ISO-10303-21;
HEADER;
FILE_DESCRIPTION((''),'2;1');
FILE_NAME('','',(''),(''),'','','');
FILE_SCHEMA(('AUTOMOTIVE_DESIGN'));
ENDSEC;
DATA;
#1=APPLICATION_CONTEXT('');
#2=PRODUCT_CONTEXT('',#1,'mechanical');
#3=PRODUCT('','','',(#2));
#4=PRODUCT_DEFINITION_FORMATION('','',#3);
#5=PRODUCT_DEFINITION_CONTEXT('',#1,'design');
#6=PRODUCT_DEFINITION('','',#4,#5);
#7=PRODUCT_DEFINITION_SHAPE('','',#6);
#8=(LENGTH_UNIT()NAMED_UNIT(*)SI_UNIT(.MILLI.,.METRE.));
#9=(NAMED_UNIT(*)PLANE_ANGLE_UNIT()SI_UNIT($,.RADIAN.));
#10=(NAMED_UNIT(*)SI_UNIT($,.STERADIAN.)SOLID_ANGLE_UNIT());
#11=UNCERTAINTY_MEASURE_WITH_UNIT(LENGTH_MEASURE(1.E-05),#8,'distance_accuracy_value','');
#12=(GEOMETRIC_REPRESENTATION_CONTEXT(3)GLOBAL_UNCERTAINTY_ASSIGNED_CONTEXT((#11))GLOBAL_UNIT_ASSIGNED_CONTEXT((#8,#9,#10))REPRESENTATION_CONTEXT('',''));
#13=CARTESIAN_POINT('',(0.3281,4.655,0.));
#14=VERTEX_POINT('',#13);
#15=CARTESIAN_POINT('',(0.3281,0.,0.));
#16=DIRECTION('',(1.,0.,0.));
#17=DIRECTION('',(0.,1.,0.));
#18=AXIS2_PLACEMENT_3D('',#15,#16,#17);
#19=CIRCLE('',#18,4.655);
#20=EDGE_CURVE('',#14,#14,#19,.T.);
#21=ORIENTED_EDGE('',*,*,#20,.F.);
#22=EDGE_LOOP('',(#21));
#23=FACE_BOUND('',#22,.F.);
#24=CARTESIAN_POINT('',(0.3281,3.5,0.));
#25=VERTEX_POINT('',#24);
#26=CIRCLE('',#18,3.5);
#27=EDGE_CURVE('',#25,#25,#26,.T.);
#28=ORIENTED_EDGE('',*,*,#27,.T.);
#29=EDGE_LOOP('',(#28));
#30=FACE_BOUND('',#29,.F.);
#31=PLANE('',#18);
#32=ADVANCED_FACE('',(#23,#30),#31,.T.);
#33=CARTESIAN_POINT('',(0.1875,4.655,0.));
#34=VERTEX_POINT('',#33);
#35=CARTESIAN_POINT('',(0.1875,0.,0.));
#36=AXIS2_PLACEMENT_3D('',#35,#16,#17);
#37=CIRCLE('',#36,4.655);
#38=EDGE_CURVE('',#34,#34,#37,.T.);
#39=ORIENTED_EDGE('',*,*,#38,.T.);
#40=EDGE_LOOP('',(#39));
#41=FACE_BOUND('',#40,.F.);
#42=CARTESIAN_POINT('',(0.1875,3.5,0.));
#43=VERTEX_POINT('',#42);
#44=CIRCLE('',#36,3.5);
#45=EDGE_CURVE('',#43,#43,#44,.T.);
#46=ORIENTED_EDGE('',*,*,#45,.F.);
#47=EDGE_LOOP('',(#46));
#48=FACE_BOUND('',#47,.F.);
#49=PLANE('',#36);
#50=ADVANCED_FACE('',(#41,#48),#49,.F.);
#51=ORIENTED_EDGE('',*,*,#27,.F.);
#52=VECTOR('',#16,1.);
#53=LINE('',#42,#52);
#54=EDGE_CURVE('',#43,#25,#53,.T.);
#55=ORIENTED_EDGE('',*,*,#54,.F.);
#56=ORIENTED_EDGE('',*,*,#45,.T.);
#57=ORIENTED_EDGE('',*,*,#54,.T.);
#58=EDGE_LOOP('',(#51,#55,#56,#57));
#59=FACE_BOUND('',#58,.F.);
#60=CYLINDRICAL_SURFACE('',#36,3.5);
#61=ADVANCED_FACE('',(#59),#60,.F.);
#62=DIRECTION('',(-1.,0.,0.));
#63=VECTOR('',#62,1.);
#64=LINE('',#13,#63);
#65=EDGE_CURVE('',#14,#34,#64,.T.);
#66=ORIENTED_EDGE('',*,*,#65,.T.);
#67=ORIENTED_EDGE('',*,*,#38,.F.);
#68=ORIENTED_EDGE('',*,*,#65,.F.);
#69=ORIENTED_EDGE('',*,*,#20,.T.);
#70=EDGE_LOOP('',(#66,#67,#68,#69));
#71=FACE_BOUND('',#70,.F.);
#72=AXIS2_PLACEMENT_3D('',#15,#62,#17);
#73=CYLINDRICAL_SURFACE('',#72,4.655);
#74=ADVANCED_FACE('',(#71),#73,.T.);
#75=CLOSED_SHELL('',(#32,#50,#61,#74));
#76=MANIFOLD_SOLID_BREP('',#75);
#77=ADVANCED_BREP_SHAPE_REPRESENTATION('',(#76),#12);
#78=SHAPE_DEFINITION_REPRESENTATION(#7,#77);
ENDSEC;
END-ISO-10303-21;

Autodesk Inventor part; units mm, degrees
sketch "Sketch_1" plane through (0, 0, 0) normal (0, 0, 1) x (1, 0, 0)
  line L0 (0.3281, 0) -> (0.1875, 0)
  line L1 (0.1875, 3.5) -> (0.3281, 3.5)
  line L2 (0.3281, 3.5) -> (0.3281, 4.655)
  line L3 (0.3281, 4.655) -> (0.1875, 4.655)
  line L4 (0.1875, 4.655) -> (0.1875, 3.5)
revolve "Revolution1" add sketch "Sketch_1" angle 360 about axis through (0.3281, 0, 0) along (1, 0, 0)
ref_plane "ip_st_1_XY" through (0.1875, 0, 0) normal (-1, 0, 0) x (0, 0, -1)
ref_plane "ip_st_1_YZ" through (0.1875, 0, 0) normal (0, 0, -1) x (0, -1, 0)
ref_plane "ip_st_1_ZX" through (0.1875, 0, 0) normal (0, -1, 0) x (-1, 0, 0)
properties part number "MF106ZZ1 Shield1"
